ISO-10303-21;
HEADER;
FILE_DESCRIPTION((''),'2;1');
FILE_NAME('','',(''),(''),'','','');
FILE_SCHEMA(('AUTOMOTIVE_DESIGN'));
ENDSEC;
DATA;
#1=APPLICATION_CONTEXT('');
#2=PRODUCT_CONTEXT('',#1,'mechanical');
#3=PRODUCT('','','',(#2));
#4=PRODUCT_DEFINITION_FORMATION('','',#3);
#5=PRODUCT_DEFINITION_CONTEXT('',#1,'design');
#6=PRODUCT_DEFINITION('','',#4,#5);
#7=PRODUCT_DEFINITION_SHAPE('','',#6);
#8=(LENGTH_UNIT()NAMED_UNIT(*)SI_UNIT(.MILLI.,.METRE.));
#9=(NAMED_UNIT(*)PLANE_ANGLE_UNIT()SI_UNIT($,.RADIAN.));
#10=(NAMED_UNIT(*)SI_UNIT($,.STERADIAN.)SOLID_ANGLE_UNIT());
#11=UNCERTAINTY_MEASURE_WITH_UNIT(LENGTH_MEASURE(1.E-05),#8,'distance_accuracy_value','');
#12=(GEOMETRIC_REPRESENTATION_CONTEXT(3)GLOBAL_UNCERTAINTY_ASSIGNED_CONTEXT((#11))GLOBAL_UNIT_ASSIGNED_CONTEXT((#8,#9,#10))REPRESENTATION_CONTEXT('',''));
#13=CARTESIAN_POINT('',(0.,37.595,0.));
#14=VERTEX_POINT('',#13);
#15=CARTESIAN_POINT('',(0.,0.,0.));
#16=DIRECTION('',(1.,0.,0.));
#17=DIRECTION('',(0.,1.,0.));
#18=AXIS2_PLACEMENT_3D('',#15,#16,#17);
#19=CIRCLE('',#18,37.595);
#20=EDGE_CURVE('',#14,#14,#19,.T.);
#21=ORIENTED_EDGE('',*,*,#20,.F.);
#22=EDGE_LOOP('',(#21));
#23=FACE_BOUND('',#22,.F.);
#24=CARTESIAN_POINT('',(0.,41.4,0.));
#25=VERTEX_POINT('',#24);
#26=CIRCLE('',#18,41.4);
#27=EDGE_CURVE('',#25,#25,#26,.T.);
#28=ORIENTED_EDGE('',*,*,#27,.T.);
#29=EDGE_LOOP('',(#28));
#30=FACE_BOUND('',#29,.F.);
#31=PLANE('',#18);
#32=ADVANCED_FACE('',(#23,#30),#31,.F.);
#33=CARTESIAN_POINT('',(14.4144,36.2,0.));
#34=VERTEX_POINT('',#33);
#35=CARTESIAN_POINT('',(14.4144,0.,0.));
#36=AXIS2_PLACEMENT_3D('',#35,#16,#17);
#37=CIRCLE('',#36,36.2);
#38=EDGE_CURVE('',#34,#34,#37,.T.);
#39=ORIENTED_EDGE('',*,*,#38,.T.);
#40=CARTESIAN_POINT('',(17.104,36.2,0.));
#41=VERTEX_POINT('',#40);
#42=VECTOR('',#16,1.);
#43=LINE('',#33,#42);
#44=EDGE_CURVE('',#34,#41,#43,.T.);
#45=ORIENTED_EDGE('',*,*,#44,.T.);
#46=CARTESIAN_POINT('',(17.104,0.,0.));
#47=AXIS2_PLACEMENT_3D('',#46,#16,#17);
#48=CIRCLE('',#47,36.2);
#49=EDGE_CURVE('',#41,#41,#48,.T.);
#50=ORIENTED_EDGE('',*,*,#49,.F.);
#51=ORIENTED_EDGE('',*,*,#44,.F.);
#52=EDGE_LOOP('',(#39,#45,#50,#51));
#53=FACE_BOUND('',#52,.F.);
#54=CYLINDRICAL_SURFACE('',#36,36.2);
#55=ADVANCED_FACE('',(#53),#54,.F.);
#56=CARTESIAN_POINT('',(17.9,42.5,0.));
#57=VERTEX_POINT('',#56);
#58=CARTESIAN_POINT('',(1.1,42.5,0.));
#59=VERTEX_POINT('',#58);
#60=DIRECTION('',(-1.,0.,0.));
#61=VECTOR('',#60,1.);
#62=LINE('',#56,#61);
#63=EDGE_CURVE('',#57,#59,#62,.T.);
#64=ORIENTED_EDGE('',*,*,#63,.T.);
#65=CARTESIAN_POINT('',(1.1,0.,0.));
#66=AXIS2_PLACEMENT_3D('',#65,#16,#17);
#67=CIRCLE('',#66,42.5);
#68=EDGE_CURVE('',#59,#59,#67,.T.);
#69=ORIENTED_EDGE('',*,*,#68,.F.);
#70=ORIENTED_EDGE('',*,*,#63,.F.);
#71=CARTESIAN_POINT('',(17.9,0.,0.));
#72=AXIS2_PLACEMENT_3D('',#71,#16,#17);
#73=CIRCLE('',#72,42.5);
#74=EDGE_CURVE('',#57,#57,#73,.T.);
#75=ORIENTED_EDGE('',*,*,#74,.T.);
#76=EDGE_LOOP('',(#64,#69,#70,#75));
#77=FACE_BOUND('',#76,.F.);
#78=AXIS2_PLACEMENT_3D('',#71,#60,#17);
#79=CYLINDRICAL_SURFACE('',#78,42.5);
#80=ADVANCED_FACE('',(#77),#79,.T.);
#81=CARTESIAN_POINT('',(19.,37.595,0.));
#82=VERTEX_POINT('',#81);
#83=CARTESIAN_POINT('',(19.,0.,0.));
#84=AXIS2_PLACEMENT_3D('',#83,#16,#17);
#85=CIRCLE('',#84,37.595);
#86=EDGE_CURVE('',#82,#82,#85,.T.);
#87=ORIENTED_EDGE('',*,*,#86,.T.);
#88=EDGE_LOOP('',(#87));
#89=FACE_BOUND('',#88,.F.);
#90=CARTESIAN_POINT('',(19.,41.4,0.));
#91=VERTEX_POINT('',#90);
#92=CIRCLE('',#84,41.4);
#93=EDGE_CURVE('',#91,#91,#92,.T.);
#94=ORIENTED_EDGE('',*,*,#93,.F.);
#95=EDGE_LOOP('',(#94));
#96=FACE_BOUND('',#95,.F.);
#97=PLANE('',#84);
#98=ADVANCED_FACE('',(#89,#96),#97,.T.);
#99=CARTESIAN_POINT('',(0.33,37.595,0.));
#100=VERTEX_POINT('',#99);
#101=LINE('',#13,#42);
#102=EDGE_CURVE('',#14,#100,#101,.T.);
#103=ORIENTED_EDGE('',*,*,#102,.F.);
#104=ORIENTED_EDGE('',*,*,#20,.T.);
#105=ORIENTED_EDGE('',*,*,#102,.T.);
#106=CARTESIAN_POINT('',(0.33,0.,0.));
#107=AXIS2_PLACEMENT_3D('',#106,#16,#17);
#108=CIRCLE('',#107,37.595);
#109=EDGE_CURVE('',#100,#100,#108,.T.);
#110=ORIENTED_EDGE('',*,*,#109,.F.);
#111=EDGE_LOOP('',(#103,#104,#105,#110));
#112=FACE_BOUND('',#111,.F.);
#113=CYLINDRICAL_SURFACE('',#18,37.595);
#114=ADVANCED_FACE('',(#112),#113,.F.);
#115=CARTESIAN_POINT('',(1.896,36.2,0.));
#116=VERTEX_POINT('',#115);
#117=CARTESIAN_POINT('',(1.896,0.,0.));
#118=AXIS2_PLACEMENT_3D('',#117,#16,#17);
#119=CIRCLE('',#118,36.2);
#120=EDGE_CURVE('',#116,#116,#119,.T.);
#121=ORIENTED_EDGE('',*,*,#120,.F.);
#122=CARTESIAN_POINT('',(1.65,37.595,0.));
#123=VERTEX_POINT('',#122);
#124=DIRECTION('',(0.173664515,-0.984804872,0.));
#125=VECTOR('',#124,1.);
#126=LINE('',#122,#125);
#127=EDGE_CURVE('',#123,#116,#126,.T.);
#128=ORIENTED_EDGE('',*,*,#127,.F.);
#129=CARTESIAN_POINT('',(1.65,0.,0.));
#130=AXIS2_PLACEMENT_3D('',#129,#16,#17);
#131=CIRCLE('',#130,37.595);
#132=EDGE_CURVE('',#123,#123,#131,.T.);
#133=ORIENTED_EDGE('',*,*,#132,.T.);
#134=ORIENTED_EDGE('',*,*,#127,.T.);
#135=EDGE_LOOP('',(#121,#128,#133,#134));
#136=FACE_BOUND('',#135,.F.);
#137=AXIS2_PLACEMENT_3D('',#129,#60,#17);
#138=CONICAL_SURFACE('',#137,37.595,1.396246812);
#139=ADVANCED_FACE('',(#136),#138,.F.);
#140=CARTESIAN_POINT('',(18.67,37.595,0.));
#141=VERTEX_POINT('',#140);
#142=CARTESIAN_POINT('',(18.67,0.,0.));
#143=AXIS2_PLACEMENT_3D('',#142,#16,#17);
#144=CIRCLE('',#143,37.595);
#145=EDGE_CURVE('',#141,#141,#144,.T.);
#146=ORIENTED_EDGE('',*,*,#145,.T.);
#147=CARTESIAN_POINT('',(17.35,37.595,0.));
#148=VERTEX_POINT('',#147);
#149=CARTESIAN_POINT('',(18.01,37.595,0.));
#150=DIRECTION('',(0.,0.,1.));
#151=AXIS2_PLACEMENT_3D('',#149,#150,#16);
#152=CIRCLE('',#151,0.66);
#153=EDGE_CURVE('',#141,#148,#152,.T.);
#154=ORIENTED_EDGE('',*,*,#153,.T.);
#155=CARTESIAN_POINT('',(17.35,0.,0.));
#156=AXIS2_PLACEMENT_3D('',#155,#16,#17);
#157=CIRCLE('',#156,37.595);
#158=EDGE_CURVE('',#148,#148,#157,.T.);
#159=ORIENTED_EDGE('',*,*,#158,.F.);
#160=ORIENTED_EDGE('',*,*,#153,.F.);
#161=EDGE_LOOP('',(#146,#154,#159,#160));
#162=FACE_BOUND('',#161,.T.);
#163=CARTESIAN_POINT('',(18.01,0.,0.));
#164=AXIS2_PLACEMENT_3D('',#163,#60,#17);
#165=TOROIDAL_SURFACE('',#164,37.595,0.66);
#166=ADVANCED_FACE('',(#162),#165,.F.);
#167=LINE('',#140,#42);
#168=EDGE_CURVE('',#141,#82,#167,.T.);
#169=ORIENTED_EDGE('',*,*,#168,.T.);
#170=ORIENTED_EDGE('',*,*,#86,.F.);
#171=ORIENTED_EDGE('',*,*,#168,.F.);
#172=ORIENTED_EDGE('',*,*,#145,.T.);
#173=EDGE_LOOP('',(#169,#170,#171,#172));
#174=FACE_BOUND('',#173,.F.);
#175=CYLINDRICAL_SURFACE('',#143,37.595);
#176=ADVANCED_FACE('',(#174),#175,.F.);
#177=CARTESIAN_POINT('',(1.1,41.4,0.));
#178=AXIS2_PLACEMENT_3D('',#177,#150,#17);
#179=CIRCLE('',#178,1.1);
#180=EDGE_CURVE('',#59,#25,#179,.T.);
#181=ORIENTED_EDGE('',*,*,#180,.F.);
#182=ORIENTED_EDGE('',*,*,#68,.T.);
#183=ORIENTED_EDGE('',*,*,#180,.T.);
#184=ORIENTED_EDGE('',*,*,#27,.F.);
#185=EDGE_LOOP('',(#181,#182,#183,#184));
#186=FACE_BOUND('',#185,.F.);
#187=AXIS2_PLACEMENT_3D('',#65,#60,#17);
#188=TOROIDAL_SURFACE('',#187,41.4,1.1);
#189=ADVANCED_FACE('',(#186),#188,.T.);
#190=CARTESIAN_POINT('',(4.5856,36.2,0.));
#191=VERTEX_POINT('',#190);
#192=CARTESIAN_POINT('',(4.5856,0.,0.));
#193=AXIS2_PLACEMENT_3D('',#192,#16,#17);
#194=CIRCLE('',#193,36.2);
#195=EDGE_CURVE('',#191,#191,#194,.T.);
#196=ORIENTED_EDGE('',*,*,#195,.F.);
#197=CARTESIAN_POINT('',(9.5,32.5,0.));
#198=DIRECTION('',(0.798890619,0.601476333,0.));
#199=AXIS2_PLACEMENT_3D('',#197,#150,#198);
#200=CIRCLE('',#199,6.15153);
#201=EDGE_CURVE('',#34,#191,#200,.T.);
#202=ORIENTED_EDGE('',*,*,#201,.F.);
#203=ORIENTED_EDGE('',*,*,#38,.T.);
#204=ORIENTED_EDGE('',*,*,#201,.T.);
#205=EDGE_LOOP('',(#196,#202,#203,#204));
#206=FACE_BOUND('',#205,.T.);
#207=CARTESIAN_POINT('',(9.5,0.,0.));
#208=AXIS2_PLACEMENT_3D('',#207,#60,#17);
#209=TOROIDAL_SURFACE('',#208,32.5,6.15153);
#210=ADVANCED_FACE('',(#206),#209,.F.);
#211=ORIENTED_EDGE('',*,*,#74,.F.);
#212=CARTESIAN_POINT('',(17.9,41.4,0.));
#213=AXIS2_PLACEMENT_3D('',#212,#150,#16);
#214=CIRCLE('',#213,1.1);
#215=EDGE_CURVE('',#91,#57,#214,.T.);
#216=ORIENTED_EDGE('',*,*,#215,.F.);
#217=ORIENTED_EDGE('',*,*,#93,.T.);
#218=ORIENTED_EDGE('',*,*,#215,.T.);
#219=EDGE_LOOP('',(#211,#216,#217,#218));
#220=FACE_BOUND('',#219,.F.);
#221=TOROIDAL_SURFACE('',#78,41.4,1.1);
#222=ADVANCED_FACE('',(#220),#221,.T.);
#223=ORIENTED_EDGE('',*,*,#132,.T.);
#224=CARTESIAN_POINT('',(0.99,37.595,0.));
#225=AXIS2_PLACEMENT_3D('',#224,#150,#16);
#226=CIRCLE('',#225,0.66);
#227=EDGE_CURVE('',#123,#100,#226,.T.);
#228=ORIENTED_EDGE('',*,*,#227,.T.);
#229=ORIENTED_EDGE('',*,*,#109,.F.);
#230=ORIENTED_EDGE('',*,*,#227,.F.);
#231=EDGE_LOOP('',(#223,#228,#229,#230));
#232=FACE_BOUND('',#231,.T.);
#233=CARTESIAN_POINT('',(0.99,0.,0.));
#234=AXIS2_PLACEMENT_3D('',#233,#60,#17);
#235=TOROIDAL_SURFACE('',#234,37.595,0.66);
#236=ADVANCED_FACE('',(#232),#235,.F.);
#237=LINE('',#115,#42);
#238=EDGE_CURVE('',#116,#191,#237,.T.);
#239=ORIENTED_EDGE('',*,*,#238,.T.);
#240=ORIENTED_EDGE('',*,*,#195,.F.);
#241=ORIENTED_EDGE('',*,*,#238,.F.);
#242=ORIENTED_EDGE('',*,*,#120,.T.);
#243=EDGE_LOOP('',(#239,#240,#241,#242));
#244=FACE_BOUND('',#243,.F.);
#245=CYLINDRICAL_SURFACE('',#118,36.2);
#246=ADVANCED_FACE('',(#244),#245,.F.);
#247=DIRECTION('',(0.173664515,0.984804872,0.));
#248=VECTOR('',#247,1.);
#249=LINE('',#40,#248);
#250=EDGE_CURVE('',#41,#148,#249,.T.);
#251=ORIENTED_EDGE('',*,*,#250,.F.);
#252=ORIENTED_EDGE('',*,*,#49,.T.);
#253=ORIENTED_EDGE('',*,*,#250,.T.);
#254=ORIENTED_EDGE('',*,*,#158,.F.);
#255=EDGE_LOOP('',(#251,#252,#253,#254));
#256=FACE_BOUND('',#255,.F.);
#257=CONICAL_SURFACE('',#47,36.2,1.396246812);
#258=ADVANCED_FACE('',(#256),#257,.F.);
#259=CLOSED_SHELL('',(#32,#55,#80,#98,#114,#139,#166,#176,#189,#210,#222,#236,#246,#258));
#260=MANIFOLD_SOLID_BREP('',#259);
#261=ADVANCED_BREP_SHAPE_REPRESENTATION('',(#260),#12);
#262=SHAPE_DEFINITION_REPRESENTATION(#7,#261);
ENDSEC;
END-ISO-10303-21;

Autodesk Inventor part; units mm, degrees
ref_plane "YZ Plane" through (0, 0, 0) normal (1, 0, 0) x (0, 1, 0)
ref_plane "XZ Plane" through (0, 0, 0) normal (0, 1, 0) x (-1, 0, 0)
ref_plane "XY Plane" through (0, 0, 0) normal (0, 0, 1) x (1, 0, 0)
sketch "Sketch_2" plane through (0, 0, 0) normal (0, 0, 1) x (1, 0, 0)
  line L0 (50, 0) -> (-50, 0)
  line L1 (0, 37.595) -> (0.33, 37.595)
  arc A0 (1.65, 37.595) -> (0.33, 37.595) centre (0.99, 37.595) ccw
  line L2 (1.65, 37.595) -> (1.896, 36.2)
  line L3 (1.896, 36.2) -> (4.5856, 36.2)
  arc A1 (14.4144, 36.2) -> (4.5856, 36.2) centre (9.5, 32.5) ccw
  line L4 (14.4144, 36.2) -> (17.104, 36.2)
  line L5 (17.104, 36.2) -> (17.35, 37.595)
  arc A2 (18.67, 37.595) -> (17.35, 37.595) centre (18.01, 37.595) ccw
  line L6 (18.67, 37.595) -> (19, 37.595)
  line L7 (19, 37.595) -> (19, 41.4)
  arc A3 (19, 41.4) -> (17.9, 42.5) centre (17.9, 41.4) ccw
  line L8 (17.9, 42.5) -> (1.1, 42.5)
  arc A4 (1.1, 42.5) -> (0, 41.4) centre (1.1, 41.4) ccw
  line L9 (0, 41.4) -> (0, 37.595)
revolve "Revolution1" add sketch "Sketch_2" angle 360 about axis through (50, 0, 0) along (1, 0, 0)
properties part number "6209_PART2"
